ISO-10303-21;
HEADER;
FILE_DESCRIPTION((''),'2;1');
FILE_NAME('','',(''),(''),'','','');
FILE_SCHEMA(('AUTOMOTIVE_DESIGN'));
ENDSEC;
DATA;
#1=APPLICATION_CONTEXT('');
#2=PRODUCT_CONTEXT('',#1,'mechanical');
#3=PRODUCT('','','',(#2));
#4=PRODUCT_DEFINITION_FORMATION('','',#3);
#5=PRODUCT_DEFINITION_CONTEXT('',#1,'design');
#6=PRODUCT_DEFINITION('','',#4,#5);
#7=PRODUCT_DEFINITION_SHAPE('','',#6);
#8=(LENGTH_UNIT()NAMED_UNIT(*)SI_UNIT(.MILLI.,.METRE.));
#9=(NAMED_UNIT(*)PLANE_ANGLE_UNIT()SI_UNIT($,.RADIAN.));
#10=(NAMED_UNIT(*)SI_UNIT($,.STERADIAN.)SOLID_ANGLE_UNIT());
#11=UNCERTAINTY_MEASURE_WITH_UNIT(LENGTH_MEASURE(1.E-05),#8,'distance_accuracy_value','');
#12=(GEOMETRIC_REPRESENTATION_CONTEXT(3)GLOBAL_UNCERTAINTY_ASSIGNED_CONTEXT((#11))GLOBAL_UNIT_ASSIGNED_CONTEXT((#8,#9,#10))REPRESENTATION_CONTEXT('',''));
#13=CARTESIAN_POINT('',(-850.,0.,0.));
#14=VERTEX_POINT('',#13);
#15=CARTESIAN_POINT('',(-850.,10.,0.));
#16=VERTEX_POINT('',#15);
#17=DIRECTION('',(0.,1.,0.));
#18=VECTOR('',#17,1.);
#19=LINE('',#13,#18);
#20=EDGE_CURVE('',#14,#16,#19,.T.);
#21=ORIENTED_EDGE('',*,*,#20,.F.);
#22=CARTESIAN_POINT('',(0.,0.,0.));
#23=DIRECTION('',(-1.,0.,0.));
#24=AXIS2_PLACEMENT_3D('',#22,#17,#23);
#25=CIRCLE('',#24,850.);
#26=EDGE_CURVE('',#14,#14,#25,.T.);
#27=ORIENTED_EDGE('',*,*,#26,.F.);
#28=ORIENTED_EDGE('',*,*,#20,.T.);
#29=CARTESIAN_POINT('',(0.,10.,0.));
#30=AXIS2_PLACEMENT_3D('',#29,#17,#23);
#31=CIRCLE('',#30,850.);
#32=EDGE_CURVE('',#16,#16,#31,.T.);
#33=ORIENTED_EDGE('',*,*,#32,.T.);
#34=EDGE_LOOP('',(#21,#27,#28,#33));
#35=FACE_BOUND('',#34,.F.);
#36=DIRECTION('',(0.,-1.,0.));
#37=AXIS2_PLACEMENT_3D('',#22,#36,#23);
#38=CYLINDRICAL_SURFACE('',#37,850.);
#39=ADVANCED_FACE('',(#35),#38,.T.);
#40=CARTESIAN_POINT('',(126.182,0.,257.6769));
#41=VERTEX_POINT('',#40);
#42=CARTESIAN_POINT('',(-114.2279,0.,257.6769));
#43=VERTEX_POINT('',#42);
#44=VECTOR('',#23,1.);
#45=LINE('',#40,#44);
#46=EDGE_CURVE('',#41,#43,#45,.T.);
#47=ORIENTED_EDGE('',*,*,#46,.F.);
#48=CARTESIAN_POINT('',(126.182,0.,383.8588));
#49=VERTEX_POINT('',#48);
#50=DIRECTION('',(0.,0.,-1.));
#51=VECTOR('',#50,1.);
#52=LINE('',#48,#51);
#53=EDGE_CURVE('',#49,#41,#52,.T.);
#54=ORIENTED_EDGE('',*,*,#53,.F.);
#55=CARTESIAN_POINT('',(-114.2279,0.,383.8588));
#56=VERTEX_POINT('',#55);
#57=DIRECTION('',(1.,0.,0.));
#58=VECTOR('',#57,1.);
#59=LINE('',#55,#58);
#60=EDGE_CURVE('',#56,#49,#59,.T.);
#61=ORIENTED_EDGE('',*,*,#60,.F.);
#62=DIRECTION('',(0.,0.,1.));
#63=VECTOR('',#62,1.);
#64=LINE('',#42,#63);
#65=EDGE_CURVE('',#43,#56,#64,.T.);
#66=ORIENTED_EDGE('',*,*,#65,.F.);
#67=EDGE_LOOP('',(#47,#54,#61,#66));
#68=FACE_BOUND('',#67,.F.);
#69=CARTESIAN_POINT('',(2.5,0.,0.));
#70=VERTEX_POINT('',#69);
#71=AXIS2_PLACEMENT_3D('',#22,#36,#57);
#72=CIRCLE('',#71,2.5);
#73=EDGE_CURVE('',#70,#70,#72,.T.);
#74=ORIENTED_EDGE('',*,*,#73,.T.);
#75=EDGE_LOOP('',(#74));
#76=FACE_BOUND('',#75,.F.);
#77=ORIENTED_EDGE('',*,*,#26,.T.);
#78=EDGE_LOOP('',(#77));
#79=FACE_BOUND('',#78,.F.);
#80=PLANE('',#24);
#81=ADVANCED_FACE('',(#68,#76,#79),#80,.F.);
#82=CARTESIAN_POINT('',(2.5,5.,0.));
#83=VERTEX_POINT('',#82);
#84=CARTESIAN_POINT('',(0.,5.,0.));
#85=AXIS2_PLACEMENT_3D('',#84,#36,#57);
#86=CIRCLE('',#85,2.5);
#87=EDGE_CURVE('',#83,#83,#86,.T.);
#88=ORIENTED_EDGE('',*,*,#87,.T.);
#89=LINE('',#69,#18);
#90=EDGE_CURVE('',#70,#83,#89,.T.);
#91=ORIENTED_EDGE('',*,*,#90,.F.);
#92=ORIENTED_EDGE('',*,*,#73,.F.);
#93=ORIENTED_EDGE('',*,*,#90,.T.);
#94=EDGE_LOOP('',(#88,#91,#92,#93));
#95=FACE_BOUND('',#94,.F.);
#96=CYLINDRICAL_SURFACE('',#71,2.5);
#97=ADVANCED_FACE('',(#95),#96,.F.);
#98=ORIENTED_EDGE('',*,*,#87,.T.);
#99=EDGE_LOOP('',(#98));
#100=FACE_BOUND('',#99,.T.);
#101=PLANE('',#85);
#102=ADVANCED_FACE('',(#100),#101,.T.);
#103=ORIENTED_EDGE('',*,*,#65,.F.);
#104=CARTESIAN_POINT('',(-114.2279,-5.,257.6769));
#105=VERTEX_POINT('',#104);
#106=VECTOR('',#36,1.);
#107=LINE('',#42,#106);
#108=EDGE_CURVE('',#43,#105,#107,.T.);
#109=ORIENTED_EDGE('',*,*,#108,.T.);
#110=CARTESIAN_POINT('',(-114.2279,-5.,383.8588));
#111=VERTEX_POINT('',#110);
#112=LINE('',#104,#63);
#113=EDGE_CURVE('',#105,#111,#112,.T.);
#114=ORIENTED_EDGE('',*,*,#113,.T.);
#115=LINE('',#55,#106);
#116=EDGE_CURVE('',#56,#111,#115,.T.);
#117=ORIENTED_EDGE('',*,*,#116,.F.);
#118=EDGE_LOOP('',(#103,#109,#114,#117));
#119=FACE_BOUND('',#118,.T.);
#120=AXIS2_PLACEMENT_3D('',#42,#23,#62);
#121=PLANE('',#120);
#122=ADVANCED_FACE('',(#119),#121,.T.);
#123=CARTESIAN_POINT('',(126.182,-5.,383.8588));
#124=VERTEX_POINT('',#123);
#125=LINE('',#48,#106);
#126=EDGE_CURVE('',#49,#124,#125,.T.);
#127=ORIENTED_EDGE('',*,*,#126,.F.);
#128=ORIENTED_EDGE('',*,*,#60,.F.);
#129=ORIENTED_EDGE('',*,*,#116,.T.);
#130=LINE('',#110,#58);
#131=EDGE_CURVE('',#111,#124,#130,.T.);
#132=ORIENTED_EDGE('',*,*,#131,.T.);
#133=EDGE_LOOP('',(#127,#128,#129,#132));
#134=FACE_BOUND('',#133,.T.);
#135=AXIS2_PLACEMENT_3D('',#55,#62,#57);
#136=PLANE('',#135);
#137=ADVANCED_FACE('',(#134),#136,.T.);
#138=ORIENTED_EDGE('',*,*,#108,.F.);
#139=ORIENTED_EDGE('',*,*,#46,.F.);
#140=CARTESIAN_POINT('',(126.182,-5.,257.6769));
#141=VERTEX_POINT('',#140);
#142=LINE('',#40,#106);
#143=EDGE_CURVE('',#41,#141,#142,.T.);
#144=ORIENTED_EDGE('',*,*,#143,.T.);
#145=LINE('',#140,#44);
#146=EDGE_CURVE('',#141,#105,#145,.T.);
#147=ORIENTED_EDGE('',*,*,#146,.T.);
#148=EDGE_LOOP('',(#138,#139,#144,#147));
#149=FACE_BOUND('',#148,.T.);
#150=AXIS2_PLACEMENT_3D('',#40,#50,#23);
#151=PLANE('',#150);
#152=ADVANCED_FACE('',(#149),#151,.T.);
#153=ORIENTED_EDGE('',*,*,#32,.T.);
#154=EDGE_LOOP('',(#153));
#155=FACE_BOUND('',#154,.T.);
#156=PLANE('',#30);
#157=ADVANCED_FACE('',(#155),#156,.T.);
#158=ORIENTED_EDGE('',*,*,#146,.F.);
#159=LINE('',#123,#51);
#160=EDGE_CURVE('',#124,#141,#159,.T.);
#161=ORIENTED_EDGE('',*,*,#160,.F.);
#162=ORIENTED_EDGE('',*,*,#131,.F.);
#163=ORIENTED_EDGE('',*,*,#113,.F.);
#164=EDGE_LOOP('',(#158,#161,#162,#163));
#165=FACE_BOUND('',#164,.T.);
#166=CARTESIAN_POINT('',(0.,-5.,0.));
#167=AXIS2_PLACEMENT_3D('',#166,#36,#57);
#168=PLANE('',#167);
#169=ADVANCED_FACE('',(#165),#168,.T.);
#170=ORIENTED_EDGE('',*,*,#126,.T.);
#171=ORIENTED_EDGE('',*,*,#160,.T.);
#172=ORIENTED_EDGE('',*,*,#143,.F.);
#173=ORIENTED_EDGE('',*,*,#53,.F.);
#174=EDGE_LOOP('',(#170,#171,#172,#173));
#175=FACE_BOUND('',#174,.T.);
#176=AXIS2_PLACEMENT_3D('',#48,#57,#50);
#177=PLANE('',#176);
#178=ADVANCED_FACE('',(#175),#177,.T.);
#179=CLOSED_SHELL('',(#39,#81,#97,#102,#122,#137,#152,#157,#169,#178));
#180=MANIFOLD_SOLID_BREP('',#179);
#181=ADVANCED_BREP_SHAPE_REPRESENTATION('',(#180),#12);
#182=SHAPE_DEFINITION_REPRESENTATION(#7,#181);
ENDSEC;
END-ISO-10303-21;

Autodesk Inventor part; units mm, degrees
ref_plane "YZ Plane" through (0, 0, 0) normal (1, 0, 0) x (0, 1, 0)
ref_plane "XZ Plane" through (0, 0, 0) normal (0, 1, 0) x (-1, 0, 0)
ref_plane "XY Plane" through (0, 0, 0) normal (0, 0, 1) x (1, 0, 0)
sketch "Sketch1" plane through (0, 0, 0) normal (0, 1, 0) x (-1, 0, 0)
  circle A0 centre (0, 0) radius 850
  dimension "d0" = 1700
extrude "Extrusion1" add sketch "Sketch1" along normal blind 10
sketch "Sketch2" plane through (0, 0, 0) normal (0, -1, 0) x (1, 0, 0)
  circle A0 centre (0, 0) radius 2.5
  dimension "d3" = 5
extrude "Extrusion2" cut sketch "Sketch2" against normal blind 5
sketch "Sketch3" plane through (0, 0, 0) normal (0, -1, 0) x (1, 0, 0)
  line L0 (-114.2279, 383.8588) -> (126.182, 383.8588)
  line L1 (126.182, 383.8588) -> (126.182, 257.6769)
  line L2 (126.182, 257.6769) -> (-114.2279, 257.6769)
  line L3 (-114.2279, 257.6769) -> (-114.2279, 383.8588)
  point P0 (0, 0)
extrude "Extrusion3" add sketch "Sketch3" along normal blind 5
properties part number "McCrea_ukruhlaPlocha_walle" material "Rubber"
